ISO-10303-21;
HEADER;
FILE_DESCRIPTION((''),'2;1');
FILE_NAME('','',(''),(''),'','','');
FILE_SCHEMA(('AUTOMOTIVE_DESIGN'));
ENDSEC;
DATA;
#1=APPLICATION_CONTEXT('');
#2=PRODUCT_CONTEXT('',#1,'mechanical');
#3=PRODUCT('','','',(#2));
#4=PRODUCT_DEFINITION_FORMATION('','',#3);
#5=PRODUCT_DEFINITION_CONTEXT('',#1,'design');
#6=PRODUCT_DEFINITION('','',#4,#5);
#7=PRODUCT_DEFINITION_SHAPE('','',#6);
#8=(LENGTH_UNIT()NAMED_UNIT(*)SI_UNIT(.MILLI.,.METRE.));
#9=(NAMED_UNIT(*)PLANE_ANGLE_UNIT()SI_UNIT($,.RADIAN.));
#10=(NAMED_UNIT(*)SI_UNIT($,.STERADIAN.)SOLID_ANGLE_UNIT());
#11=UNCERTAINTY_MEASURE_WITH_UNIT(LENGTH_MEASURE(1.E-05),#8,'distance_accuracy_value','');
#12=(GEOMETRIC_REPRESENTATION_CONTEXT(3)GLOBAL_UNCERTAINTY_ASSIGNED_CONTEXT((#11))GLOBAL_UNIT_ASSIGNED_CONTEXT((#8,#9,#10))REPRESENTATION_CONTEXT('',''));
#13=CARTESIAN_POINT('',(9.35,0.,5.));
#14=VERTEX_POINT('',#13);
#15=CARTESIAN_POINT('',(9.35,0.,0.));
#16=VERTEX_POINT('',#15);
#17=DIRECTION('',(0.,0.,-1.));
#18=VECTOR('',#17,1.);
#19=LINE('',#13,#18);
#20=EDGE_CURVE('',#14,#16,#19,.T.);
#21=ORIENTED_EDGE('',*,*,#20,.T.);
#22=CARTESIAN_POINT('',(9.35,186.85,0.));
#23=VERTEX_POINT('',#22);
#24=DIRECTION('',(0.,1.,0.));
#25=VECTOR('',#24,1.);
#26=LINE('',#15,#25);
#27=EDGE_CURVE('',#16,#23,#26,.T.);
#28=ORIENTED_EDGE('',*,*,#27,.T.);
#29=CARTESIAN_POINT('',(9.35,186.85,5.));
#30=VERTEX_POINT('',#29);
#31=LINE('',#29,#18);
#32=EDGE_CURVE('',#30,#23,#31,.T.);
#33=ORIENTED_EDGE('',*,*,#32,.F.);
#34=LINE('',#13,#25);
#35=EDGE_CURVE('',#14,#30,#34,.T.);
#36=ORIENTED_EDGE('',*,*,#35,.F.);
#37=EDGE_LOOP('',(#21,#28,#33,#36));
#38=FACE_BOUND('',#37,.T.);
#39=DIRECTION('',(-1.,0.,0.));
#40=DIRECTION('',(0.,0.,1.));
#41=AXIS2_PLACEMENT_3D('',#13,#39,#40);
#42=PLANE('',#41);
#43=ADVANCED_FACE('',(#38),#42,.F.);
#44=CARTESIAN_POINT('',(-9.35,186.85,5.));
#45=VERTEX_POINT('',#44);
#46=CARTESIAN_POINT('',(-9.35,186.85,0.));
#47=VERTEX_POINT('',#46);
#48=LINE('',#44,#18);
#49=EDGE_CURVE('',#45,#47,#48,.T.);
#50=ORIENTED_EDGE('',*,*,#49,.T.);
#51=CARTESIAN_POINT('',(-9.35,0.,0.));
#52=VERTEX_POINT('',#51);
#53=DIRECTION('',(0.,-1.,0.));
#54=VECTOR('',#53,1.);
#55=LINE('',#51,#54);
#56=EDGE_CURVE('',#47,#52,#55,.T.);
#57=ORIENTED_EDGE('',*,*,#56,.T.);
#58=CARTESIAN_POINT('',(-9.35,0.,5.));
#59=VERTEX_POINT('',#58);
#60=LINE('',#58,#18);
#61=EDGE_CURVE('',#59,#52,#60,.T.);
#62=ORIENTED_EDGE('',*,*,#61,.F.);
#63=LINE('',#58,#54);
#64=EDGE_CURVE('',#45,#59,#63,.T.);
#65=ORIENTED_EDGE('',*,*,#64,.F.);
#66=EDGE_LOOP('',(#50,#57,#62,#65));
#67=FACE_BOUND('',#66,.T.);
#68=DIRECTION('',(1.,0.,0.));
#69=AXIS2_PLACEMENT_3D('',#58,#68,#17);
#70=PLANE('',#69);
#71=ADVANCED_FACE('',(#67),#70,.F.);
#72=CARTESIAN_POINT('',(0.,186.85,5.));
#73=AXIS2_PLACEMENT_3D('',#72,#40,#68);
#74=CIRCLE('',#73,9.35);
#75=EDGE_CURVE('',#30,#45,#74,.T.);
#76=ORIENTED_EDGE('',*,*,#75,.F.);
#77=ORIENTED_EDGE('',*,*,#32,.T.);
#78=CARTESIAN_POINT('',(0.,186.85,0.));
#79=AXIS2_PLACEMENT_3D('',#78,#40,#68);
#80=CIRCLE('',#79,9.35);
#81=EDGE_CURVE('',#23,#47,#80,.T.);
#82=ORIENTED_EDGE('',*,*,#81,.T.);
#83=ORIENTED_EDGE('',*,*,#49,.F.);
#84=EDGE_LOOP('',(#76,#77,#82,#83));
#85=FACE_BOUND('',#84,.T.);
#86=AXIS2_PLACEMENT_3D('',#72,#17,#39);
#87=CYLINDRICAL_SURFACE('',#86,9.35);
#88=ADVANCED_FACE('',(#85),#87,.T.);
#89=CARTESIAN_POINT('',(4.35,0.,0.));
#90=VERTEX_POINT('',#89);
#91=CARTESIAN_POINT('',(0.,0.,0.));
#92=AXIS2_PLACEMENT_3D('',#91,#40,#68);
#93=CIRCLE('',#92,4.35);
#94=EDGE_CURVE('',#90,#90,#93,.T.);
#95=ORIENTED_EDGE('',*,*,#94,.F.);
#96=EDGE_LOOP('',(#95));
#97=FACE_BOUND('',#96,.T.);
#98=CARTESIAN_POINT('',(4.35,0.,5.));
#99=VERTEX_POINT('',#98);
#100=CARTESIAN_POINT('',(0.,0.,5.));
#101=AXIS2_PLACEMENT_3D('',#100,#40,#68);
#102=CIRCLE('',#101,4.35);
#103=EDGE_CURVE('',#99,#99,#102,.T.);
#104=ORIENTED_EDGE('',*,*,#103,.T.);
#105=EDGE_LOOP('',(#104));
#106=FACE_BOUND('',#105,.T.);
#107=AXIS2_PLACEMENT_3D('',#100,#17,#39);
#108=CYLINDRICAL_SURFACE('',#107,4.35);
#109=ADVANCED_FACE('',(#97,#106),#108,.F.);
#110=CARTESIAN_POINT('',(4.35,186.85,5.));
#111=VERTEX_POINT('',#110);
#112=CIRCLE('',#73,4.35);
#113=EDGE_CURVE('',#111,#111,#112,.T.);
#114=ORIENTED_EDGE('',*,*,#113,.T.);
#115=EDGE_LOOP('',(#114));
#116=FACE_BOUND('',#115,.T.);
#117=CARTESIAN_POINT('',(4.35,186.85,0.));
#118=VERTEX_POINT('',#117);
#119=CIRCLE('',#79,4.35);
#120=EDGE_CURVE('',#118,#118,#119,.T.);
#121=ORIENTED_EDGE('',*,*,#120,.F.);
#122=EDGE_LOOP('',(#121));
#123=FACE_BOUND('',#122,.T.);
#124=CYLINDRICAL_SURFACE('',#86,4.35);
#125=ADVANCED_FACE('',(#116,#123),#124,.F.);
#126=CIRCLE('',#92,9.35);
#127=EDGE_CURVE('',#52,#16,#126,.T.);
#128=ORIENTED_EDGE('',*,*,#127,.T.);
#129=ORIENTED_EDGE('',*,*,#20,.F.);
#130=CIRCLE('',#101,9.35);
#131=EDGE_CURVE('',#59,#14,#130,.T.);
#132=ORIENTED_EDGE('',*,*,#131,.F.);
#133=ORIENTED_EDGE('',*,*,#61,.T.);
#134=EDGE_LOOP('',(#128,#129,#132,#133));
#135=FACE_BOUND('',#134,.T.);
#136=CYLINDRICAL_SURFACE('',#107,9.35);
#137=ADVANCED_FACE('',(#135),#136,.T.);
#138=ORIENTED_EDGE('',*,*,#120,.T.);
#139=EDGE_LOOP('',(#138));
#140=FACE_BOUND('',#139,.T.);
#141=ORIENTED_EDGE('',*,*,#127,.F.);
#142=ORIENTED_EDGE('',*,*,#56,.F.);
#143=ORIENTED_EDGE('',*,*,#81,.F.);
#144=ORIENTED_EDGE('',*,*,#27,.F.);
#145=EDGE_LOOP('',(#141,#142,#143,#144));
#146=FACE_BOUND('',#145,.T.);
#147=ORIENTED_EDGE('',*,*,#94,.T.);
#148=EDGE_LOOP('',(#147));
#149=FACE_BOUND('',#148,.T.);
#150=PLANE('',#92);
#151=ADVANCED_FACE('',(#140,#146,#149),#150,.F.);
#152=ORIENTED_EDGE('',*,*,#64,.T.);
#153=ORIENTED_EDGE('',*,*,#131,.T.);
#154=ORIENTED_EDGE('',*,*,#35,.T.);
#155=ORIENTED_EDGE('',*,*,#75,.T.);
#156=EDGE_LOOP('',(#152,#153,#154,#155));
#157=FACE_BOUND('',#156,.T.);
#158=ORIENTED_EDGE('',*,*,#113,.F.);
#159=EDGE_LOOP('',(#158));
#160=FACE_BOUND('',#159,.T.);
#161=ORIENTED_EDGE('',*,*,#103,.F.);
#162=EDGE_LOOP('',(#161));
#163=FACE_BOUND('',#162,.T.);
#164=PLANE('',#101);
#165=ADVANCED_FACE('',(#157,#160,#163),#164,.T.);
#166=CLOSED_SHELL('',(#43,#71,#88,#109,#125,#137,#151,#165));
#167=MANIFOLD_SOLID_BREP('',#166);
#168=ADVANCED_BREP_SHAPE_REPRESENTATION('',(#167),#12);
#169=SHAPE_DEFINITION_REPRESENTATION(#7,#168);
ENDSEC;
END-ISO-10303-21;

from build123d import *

# Parameters (mm, degrees)
SKETCH1_R           = 4.35
BOSS_EXTRUDE1_DEPTH = 5


with BuildPart() as part:
    # Sketch1 → Boss-Extrude1 (new body)
    with BuildSketch(Plane.XY):
        with BuildLine():
            Line((-9.35, 0), (-9.35, 186.85))
            ThreePointArc((-9.35, 186.85), (0, 196.2), (9.35, 186.85))
            Line((9.35, 186.85), (9.35, 0))
            ThreePointArc((9.35, 0), (0, -9.35), (-9.35, 0))
        make_face()
        Circle(SKETCH1_R, mode=Mode.SUBTRACT)
        with Locations((0, 186.85)):
            Circle(SKETCH1_R, mode=Mode.SUBTRACT)
    extrude(amount=BOSS_EXTRUDE1_DEPTH)


solid = part.part
